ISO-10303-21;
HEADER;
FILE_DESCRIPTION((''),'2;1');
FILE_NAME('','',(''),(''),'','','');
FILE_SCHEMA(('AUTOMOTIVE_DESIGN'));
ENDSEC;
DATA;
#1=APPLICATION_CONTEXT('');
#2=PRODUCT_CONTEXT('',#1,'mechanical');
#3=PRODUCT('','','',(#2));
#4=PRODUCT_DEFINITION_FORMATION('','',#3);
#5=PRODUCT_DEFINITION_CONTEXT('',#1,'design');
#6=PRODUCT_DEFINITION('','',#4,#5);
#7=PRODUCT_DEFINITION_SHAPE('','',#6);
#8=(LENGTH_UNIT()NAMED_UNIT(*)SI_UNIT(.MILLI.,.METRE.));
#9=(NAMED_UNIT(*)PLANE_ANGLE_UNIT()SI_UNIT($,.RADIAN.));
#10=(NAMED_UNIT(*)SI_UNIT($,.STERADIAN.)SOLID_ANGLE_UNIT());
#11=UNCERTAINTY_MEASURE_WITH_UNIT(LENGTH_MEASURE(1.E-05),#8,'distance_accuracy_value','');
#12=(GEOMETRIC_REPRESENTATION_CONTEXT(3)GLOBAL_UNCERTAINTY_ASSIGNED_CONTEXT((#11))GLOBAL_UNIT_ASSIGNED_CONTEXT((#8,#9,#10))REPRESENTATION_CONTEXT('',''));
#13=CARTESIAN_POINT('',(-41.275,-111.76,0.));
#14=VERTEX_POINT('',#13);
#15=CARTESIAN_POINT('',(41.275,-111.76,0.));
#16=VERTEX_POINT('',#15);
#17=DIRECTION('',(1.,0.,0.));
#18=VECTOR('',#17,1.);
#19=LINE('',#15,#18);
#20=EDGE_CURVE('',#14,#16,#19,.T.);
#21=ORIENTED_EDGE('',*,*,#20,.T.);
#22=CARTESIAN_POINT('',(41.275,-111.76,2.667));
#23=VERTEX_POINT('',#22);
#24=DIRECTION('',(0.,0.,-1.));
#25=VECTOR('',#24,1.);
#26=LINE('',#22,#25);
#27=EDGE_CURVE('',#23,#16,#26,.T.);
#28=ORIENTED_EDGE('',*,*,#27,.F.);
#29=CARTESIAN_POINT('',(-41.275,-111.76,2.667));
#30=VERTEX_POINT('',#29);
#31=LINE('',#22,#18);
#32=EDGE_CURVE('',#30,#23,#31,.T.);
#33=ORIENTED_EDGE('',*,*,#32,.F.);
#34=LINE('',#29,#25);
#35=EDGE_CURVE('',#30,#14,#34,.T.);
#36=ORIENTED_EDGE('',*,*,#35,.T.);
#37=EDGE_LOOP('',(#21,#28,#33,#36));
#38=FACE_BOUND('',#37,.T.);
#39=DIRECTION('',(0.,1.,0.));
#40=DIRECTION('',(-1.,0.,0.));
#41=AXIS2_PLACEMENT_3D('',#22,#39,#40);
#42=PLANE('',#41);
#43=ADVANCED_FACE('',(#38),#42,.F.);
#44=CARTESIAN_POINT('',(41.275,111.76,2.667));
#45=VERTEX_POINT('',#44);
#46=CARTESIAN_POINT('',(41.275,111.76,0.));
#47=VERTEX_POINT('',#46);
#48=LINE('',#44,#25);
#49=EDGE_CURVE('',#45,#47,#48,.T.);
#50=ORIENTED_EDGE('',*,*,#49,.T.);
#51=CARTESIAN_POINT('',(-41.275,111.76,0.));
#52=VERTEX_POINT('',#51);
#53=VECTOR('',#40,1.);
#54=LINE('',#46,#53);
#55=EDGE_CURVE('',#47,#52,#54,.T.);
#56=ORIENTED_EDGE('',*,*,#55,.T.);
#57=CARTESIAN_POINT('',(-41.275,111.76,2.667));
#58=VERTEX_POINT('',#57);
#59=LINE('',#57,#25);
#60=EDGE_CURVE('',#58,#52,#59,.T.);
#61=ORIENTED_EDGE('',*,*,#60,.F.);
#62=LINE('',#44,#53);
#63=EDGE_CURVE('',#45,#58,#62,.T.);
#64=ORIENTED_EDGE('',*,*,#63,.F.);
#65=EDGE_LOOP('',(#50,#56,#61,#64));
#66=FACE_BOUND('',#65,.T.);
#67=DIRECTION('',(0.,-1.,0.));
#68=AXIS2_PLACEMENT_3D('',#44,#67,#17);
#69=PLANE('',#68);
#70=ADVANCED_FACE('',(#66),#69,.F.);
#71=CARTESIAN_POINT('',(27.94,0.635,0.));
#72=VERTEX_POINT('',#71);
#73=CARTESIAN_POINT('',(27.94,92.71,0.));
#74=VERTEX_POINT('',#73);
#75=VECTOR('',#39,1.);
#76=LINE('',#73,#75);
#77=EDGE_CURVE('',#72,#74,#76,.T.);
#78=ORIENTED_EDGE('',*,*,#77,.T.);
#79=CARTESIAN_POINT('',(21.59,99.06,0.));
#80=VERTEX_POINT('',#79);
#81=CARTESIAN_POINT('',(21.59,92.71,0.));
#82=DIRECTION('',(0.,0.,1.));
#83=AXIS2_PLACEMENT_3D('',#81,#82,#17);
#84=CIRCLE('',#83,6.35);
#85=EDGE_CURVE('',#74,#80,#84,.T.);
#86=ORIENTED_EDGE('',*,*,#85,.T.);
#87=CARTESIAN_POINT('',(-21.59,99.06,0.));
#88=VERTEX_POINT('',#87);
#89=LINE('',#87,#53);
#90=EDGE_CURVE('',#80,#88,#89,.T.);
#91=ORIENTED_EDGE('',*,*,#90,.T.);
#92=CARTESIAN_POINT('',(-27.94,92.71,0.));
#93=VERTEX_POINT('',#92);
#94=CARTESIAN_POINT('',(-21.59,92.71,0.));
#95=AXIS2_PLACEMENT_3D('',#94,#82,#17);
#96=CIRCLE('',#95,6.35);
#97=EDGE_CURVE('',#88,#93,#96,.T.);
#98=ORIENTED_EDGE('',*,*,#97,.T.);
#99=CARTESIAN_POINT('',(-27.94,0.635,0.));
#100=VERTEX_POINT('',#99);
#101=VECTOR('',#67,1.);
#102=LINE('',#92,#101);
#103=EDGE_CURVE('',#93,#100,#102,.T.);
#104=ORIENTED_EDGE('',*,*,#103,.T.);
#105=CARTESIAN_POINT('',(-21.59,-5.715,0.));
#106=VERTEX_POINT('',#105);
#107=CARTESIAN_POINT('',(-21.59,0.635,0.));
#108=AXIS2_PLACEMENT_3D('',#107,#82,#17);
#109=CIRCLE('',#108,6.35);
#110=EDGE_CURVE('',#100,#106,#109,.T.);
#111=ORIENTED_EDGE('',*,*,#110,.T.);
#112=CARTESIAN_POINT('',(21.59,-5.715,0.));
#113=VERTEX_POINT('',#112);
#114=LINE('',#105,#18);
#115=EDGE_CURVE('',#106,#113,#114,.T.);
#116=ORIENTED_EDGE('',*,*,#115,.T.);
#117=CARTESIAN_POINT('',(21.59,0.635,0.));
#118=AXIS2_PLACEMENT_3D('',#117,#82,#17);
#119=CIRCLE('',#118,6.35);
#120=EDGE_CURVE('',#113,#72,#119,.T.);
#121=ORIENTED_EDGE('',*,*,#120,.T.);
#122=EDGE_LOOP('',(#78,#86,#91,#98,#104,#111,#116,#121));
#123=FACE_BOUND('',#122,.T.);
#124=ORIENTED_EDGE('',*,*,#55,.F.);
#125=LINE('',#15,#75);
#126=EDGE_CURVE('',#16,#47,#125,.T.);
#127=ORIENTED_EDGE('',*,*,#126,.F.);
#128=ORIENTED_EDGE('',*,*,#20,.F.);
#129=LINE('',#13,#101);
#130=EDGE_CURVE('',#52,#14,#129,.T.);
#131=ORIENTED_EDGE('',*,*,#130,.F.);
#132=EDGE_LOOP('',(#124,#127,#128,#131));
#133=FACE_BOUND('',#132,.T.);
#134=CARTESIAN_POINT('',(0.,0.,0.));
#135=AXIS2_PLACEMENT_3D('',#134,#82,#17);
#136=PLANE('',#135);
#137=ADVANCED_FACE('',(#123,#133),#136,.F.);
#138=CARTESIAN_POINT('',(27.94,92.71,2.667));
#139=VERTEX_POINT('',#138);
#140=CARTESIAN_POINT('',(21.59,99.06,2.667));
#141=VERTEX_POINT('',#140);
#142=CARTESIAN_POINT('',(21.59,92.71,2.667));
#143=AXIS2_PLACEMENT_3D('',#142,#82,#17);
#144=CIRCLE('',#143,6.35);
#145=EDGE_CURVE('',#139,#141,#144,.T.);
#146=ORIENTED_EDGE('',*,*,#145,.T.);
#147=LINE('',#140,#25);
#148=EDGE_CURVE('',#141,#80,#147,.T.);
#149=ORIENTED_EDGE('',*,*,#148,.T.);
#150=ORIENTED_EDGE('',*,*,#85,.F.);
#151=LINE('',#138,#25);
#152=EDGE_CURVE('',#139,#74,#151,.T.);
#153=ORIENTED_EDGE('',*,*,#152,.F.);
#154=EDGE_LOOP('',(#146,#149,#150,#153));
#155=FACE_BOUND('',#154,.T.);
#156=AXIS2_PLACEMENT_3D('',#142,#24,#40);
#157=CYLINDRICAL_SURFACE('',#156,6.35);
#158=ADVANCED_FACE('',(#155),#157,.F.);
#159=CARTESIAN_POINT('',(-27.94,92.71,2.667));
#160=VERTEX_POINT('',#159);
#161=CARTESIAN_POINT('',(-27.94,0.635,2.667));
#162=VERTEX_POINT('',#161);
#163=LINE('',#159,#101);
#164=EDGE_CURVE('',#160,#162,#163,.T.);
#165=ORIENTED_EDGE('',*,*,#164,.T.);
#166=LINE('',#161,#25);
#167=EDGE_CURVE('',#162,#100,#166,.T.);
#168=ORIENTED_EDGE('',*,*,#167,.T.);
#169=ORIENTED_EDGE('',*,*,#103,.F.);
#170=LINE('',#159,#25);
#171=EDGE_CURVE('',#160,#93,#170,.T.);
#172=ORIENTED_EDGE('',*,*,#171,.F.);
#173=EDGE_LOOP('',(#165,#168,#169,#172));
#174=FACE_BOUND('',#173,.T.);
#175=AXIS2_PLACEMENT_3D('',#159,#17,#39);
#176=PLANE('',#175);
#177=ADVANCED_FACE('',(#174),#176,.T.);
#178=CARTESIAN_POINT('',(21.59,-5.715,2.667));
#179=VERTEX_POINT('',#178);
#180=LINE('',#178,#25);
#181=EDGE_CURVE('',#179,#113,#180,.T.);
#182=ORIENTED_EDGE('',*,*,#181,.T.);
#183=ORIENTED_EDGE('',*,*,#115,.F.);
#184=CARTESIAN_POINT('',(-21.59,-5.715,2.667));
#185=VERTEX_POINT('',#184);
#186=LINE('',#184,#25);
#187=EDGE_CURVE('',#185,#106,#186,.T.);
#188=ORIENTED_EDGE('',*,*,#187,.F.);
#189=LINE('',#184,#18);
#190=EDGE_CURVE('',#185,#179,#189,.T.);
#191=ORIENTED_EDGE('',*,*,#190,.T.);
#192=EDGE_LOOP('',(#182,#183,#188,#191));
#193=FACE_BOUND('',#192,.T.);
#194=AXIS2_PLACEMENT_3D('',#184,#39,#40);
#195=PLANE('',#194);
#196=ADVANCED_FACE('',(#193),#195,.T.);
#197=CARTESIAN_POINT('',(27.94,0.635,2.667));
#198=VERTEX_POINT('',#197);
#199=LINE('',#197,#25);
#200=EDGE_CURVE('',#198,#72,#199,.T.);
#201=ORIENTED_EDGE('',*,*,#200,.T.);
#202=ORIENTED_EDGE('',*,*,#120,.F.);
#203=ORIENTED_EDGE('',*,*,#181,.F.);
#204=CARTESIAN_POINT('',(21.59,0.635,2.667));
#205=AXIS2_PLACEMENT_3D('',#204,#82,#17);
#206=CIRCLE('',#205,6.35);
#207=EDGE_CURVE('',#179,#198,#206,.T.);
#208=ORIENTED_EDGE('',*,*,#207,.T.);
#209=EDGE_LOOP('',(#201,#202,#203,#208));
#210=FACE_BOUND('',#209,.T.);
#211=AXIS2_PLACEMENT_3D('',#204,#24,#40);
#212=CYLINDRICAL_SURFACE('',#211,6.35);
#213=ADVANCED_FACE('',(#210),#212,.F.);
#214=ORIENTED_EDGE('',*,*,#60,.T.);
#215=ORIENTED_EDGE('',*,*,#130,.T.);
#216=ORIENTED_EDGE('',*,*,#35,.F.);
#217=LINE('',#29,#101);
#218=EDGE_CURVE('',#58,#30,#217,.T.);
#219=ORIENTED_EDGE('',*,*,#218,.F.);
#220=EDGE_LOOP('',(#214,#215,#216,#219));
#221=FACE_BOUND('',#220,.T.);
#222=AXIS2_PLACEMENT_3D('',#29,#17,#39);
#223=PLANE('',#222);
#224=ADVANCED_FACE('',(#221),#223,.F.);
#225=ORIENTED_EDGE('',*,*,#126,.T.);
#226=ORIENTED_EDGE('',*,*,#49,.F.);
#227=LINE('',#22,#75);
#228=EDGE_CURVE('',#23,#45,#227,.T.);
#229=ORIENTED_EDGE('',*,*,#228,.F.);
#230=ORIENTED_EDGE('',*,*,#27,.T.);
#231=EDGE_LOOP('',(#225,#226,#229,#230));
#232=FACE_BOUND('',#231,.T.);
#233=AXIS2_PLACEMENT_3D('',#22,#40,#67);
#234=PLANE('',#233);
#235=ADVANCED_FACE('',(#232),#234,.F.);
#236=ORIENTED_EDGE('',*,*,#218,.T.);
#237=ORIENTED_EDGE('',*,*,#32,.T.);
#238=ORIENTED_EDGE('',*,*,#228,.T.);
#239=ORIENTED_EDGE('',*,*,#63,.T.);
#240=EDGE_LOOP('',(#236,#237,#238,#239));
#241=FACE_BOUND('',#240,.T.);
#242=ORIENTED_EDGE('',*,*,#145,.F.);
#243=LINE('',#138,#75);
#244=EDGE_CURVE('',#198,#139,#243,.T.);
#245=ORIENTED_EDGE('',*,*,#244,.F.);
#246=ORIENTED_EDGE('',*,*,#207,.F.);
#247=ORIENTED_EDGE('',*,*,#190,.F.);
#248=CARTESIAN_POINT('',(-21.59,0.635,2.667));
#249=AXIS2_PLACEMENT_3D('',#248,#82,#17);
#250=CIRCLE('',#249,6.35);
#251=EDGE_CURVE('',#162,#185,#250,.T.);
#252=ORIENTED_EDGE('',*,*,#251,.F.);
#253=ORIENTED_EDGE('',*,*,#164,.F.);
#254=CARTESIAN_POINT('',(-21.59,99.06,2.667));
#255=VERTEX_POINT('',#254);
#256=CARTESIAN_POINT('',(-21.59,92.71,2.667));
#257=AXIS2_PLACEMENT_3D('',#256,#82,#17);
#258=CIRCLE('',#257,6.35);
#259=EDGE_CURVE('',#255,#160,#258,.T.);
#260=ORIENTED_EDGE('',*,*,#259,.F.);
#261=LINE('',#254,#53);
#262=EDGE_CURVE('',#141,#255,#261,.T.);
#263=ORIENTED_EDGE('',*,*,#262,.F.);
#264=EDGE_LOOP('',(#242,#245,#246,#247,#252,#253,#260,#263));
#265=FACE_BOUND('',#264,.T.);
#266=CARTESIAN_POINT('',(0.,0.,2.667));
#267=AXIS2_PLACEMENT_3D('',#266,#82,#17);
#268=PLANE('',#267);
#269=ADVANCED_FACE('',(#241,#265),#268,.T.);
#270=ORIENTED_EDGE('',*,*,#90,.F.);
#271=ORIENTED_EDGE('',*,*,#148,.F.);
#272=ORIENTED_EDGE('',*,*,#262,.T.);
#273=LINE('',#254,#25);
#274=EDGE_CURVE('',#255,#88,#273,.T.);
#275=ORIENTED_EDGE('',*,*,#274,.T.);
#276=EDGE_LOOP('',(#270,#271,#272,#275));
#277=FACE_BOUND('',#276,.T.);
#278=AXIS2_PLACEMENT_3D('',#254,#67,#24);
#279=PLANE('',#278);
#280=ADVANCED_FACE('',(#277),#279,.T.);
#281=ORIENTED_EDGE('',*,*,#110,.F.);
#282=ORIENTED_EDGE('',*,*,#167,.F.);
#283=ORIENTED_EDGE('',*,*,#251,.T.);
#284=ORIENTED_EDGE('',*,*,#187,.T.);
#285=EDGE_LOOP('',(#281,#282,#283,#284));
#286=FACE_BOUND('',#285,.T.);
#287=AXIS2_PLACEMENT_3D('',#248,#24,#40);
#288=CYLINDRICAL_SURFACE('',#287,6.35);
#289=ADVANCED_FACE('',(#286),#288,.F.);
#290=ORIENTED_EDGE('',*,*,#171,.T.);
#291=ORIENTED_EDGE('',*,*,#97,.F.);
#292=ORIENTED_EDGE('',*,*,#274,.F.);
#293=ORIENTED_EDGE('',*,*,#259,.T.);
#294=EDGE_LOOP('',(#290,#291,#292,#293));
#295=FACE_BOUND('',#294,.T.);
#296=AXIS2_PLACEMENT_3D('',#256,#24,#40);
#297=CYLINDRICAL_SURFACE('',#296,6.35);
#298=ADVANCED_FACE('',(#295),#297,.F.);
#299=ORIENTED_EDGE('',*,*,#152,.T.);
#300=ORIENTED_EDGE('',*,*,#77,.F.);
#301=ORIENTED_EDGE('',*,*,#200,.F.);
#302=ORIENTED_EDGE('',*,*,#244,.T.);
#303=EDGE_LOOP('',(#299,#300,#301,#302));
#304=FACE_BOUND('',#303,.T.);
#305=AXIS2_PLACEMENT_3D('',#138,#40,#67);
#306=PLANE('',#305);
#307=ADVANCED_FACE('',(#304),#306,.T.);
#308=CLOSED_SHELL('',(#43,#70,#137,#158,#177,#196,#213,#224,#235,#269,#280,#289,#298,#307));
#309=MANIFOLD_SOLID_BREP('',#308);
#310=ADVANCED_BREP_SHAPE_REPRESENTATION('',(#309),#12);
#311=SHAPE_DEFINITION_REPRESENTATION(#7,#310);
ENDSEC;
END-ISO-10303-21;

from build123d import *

# Parameters (mm, degrees)
SKETCH1_W           = 82.55
SKETCH1_H           = 223.52
BOSS_EXTRUDE1_DEPTH = 2.667


with BuildPart() as part:
    # Sketch1 → Boss-Extrude1 (new body)
    with BuildSketch(Plane.XY):
        Rectangle(SKETCH1_W, SKETCH1_H)
        with BuildLine():
            Line((-21.59, 99.06), (21.59, 99.06))
            ThreePointArc((21.59, 99.06), (26.080128061, 97.200128061), (27.94, 92.71))
            Line((27.94, 92.71), (27.94, 0.635))
            ThreePointArc((27.94, 0.635), (26.080128061, -3.855128061), (21.59, -5.715))
            Line((21.59, -5.715), (-21.59, -5.715))
            ThreePointArc((-21.59, -5.715), (-26.080128061, -3.855128061), (-27.94, 0.635))
            Line((-27.94, 0.635), (-27.94, 92.71))
            ThreePointArc((-27.94, 92.71), (-26.080128061, 97.200128061), (-21.59, 99.06))
        make_face(mode=Mode.SUBTRACT)
    extrude(amount=BOSS_EXTRUDE1_DEPTH)


solid = part.part
